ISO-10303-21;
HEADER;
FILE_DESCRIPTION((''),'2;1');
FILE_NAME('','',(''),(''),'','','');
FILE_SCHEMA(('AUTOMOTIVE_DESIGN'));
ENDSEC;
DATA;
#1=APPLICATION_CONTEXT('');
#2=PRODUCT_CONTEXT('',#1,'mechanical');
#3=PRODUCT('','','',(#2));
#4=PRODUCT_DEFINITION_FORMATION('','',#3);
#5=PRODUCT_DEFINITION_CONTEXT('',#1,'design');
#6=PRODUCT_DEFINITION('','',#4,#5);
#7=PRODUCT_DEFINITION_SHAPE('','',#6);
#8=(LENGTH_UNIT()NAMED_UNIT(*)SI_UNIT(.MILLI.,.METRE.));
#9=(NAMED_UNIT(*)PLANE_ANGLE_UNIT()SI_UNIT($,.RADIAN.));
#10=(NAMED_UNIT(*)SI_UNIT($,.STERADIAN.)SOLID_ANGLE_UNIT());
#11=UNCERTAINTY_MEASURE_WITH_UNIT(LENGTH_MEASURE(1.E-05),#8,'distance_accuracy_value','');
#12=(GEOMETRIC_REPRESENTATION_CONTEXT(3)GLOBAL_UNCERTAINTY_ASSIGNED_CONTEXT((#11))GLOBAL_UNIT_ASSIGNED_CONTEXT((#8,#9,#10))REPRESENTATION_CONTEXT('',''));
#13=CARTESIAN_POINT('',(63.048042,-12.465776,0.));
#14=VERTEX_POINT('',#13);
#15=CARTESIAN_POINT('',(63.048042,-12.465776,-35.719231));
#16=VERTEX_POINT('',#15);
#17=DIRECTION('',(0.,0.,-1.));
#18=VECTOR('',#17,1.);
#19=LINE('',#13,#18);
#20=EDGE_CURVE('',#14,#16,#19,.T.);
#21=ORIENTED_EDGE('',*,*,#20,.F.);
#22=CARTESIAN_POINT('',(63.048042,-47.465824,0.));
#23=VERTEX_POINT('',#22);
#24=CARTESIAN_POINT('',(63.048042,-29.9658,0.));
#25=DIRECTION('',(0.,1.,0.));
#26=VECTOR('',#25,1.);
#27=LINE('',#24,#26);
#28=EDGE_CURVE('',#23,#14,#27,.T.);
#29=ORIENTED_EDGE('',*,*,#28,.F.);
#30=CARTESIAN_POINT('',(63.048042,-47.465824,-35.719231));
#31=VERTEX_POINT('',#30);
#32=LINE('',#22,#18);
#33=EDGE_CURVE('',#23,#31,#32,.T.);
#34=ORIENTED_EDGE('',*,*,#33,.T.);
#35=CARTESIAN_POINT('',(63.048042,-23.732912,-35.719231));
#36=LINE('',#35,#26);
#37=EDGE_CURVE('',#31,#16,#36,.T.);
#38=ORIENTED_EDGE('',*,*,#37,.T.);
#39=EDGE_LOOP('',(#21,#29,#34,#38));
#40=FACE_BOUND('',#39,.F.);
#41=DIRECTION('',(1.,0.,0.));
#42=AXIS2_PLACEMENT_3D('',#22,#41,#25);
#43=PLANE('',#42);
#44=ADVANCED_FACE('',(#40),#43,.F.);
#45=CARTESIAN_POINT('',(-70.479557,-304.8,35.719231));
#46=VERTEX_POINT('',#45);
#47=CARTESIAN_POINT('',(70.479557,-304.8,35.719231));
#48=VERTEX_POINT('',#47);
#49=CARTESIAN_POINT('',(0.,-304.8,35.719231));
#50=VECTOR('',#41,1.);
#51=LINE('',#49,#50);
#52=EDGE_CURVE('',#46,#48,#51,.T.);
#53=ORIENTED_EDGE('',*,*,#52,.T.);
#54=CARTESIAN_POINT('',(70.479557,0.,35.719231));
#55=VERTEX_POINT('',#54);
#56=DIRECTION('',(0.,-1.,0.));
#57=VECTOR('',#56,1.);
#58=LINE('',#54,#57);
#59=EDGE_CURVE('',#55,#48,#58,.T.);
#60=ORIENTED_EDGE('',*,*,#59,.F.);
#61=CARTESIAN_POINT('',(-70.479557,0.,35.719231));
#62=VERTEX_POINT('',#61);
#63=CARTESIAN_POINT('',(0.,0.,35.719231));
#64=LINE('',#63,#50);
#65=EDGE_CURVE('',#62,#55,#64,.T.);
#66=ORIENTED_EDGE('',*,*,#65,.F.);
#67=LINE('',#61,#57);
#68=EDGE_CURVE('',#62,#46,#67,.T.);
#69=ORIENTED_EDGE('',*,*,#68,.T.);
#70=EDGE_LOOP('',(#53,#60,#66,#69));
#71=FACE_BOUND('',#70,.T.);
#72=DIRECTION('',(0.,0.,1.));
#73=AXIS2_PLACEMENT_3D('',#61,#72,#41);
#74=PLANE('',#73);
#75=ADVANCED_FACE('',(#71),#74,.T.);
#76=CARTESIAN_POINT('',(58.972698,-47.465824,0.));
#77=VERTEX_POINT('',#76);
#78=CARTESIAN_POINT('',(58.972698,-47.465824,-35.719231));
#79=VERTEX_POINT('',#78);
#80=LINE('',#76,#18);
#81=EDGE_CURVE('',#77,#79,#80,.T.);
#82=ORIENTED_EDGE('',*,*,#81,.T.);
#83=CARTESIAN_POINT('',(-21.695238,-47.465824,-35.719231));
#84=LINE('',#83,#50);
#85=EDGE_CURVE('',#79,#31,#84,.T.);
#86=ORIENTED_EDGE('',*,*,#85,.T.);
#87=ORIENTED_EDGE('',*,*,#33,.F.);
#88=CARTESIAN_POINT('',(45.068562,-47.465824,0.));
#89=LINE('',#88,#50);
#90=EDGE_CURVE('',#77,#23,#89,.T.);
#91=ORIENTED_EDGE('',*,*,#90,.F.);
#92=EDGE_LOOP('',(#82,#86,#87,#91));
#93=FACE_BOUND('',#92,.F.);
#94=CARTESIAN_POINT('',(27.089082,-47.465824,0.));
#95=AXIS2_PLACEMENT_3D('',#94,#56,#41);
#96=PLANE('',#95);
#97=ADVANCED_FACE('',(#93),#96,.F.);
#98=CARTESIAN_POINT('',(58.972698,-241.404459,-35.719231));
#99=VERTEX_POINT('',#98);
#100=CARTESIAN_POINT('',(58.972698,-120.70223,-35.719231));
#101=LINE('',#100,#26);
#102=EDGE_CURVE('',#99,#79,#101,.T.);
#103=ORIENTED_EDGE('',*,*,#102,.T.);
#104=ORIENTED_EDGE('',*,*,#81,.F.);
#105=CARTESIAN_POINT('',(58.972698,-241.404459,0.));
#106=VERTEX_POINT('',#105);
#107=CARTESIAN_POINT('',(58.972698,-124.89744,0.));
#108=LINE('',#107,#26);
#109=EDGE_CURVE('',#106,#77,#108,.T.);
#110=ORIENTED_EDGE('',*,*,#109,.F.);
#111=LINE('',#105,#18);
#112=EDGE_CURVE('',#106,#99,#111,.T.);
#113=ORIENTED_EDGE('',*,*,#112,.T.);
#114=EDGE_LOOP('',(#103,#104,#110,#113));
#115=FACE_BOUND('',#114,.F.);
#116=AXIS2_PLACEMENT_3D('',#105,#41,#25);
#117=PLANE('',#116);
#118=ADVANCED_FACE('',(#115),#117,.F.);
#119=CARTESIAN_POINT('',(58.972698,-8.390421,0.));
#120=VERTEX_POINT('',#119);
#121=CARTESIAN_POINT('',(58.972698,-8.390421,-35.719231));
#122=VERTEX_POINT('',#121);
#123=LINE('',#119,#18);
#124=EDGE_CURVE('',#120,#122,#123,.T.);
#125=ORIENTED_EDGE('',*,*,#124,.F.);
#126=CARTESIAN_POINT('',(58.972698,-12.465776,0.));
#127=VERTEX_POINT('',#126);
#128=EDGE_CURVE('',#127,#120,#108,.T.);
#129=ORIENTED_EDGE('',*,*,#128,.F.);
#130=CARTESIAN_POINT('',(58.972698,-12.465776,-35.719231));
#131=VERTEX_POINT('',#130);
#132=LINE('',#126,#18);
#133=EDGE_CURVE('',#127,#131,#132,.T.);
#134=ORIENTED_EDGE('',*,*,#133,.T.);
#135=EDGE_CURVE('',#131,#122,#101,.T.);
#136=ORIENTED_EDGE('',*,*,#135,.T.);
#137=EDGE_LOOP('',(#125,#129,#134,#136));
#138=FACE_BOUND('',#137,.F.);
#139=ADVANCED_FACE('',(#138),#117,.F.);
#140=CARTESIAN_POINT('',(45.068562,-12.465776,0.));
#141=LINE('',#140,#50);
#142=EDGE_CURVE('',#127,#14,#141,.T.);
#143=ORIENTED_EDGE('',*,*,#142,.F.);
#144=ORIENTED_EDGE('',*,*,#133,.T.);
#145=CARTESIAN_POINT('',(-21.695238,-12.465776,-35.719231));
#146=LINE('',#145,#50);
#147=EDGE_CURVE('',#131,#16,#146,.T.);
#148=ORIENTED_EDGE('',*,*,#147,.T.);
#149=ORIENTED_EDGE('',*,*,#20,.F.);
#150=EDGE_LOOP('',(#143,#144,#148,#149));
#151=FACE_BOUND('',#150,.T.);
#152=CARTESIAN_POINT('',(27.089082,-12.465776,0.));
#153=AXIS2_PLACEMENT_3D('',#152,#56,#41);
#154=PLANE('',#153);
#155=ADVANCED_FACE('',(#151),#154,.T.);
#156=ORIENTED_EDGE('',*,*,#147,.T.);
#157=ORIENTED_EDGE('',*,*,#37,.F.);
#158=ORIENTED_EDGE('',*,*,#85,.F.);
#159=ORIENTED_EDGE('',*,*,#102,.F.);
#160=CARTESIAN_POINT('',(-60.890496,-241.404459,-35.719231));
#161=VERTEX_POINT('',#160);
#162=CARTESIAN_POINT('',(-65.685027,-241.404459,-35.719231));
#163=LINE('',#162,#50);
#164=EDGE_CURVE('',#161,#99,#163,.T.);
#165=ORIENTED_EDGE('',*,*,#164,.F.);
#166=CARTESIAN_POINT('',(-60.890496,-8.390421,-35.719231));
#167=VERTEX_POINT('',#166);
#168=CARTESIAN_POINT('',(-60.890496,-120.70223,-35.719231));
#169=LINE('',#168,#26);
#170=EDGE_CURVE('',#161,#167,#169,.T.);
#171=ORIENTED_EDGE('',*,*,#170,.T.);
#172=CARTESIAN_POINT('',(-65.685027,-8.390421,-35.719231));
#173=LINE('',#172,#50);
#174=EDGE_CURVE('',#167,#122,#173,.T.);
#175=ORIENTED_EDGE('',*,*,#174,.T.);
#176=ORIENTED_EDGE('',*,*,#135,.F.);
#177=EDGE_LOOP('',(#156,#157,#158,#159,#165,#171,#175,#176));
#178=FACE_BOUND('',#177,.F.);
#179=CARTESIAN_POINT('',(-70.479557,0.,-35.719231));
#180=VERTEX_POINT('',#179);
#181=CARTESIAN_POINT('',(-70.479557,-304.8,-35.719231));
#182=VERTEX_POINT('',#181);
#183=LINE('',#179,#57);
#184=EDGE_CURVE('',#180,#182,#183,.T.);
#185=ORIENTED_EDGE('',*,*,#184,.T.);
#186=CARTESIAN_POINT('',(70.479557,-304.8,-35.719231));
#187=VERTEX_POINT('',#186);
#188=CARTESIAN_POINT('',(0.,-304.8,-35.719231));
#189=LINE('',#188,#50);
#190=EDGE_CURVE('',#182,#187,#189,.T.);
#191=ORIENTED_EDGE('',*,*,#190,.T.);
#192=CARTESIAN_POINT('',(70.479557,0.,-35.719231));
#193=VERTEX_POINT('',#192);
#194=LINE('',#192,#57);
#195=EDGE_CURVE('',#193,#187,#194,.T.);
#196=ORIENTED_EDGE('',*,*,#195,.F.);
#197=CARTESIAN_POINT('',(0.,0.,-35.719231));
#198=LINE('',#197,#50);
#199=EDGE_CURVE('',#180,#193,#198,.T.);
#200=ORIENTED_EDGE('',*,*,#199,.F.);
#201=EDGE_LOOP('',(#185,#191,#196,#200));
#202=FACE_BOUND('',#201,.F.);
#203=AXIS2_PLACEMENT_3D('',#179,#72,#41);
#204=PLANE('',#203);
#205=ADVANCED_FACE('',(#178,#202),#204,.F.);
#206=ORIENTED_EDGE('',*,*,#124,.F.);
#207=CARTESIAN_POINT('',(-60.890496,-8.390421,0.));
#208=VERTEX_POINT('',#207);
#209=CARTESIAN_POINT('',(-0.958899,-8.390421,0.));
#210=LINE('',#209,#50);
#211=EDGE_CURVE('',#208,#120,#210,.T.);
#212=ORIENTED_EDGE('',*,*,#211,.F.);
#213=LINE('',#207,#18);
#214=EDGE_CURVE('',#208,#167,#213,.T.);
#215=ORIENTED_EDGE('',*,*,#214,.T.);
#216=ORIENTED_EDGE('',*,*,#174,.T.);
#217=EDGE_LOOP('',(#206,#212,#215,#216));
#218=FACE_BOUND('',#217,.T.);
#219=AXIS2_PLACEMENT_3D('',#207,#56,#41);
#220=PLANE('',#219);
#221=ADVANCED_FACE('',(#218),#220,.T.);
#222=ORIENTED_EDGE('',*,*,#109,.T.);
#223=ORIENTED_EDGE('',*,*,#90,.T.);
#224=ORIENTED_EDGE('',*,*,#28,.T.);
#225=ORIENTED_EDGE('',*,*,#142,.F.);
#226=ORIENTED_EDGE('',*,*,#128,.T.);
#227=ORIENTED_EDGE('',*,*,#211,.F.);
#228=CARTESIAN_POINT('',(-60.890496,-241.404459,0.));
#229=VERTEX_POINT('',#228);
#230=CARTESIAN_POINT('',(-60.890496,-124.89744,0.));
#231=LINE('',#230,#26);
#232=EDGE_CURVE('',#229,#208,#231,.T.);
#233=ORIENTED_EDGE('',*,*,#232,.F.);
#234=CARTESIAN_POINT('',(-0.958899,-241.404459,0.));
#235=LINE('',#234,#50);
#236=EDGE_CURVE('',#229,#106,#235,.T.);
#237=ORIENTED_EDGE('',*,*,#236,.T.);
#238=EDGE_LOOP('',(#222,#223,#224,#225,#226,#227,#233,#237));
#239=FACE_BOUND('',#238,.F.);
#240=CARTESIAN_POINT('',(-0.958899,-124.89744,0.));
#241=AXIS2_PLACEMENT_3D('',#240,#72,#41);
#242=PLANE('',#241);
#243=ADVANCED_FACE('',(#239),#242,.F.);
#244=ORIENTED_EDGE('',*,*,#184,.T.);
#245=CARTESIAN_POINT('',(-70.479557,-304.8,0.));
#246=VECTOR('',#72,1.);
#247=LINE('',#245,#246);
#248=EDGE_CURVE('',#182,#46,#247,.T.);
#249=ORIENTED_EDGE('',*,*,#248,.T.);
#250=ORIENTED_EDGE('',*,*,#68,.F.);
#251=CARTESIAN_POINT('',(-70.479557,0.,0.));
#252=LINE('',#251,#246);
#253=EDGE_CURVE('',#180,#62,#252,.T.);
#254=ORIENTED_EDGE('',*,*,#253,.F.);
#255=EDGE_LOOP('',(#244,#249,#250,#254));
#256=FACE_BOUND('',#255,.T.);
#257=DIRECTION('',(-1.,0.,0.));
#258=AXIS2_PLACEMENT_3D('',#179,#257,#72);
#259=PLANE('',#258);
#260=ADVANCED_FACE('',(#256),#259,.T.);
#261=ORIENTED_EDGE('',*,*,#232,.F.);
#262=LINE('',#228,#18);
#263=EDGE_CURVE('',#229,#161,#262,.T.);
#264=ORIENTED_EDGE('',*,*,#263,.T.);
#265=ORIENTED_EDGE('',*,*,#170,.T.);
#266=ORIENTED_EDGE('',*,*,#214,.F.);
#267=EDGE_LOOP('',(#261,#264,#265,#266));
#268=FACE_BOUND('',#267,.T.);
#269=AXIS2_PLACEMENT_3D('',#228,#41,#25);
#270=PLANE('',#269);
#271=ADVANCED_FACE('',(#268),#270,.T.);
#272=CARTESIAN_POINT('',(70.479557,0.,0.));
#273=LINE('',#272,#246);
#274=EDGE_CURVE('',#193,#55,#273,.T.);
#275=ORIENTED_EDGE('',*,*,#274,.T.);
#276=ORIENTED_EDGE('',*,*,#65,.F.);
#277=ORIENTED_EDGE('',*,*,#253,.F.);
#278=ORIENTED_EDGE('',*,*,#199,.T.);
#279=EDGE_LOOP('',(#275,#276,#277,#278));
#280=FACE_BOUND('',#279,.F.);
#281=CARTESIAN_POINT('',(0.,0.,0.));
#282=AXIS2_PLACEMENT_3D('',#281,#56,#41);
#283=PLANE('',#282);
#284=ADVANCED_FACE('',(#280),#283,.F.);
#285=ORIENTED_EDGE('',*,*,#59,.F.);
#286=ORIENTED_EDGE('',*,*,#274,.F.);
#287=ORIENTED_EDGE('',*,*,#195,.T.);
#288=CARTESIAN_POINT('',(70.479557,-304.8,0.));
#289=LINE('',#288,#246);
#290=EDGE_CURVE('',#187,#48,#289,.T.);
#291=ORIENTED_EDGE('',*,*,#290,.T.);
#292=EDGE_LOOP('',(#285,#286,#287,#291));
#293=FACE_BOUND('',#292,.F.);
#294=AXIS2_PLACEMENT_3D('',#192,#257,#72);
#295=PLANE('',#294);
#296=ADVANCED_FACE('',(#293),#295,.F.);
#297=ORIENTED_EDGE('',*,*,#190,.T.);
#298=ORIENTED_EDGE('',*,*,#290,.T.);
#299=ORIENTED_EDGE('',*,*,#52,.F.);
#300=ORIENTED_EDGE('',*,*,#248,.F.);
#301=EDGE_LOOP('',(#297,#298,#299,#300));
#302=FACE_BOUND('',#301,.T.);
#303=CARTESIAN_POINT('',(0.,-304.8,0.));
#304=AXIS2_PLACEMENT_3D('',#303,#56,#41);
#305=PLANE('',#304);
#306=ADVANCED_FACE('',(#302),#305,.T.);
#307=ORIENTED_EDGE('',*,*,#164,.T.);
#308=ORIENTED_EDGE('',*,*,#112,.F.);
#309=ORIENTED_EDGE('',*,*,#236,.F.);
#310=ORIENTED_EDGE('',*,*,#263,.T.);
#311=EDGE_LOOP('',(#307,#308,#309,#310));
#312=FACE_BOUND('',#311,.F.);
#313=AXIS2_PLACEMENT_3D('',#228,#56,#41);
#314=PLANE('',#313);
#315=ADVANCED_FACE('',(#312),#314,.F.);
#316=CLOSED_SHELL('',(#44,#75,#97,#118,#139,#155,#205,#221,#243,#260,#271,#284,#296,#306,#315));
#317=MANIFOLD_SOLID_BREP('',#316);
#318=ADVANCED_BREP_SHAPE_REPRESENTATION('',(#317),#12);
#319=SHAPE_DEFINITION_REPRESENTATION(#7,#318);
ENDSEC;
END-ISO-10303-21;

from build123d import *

# Parameters (mm, degrees)
F0_W     = 140.959114
F0_H     = 71.438462
F1_DEPTH = 304.8
F2_W     = 119.863194
F2_H     = 233.014038
F3_DEPTH = 152.4
F4_W     = 35.95896
F4_H     = 35.000048
F5_DEPTH = 254
F6_R     = 11.870693
F7_DEPTH = 304.8


with BuildPart() as f1:
    # F0 (on Front) → F1 (new body)
    with BuildSketch(Plane.XZ):
        Rectangle(F0_W, F0_H)
    extrude(amount=F1_DEPTH)

    # F2 (on Top) → F3 (cut)
    with BuildSketch(Plane.XY):
        with Locations((-0.958899, -124.89744)):
            Rectangle(F2_W, F2_H)
    extrude(amount=-F3_DEPTH, mode=Mode.SUBTRACT)

    # F4 (on Top) → F5 (cut)
    with BuildSketch(Plane.XY):
        with Locations((45.068562, -29.9658)):
            Rectangle(F4_W, F4_H)
    extrude(amount=-F5_DEPTH, mode=Mode.SUBTRACT)

    # F6 (on Front) → F7 (cut)
    with BuildSketch(Plane.XZ):
        with Locations((-40.513758, 16.780848)):
            Circle(F6_R)
    extrude(amount=-F7_DEPTH, mode=Mode.SUBTRACT)


solid = f1.part
